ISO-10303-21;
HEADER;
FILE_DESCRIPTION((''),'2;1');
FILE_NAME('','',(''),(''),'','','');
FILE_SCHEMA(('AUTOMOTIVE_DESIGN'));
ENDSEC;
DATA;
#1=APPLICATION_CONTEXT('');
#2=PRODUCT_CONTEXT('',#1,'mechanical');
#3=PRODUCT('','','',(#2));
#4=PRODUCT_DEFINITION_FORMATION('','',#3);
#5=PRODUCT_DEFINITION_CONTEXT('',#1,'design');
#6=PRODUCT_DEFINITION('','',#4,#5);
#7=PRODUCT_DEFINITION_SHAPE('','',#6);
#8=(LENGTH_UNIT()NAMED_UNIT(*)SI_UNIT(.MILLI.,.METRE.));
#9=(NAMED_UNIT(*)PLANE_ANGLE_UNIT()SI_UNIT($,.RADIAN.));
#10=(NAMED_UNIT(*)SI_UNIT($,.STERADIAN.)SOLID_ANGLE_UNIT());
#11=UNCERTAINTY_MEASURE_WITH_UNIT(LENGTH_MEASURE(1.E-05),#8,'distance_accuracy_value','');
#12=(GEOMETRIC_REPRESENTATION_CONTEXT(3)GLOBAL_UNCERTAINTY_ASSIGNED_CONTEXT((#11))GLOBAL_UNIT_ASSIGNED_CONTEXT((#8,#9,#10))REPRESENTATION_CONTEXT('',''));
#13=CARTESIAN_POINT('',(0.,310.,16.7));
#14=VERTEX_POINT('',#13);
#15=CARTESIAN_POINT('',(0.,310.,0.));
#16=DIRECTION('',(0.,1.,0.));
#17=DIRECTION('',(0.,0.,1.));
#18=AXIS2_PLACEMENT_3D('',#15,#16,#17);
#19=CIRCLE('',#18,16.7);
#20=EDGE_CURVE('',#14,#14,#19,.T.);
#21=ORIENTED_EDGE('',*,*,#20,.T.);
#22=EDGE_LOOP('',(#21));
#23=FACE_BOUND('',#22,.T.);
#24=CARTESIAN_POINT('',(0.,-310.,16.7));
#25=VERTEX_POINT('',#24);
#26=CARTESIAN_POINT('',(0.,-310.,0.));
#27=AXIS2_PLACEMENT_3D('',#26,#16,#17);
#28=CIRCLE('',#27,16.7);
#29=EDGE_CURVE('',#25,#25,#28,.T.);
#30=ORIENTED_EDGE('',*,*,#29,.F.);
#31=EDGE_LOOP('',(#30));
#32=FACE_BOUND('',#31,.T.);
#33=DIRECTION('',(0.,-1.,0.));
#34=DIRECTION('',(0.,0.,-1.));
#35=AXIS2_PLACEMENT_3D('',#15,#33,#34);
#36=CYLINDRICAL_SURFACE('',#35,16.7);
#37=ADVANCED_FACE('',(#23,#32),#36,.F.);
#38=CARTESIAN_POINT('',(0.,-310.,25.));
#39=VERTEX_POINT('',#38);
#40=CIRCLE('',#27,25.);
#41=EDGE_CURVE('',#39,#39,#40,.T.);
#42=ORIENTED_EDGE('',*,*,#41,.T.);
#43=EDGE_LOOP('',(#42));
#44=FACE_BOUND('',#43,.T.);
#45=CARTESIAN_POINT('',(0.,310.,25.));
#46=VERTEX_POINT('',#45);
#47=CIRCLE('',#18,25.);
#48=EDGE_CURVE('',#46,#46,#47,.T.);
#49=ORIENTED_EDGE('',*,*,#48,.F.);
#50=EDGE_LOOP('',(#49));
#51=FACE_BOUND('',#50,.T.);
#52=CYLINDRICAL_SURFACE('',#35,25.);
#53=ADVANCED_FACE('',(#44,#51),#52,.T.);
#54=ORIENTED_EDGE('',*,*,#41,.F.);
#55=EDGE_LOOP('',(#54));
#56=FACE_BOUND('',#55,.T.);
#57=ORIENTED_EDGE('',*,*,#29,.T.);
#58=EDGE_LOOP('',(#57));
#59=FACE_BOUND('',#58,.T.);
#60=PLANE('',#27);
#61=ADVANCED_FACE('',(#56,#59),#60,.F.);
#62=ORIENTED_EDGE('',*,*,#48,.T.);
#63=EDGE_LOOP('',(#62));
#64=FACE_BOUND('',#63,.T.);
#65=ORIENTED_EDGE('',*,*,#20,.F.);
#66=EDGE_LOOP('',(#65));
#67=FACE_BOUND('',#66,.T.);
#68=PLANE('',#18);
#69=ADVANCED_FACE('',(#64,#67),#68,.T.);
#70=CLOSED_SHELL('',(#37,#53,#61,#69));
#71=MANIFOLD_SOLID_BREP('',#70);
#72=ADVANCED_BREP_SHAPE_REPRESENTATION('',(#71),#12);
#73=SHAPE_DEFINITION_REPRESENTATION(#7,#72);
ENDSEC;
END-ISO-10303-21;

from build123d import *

# Parameters (mm, degrees)
SKETCH1_R           = 25
SKETCH1_R_2         = 16.7
BOSS_EXTRUDE1_DEPTH = 310


with BuildPart() as part:
    # Sketch1 → Boss-Extrude1 (new body, symmetric)
    with BuildSketch(Plane(origin=(0, 0, 0), x_dir=(1, 0, 0), z_dir=(0, 1, 0))):
        Circle(SKETCH1_R)
        Circle(SKETCH1_R_2, mode=Mode.SUBTRACT)
    extrude(amount=BOSS_EXTRUDE1_DEPTH, both=True)


solid = part.part
